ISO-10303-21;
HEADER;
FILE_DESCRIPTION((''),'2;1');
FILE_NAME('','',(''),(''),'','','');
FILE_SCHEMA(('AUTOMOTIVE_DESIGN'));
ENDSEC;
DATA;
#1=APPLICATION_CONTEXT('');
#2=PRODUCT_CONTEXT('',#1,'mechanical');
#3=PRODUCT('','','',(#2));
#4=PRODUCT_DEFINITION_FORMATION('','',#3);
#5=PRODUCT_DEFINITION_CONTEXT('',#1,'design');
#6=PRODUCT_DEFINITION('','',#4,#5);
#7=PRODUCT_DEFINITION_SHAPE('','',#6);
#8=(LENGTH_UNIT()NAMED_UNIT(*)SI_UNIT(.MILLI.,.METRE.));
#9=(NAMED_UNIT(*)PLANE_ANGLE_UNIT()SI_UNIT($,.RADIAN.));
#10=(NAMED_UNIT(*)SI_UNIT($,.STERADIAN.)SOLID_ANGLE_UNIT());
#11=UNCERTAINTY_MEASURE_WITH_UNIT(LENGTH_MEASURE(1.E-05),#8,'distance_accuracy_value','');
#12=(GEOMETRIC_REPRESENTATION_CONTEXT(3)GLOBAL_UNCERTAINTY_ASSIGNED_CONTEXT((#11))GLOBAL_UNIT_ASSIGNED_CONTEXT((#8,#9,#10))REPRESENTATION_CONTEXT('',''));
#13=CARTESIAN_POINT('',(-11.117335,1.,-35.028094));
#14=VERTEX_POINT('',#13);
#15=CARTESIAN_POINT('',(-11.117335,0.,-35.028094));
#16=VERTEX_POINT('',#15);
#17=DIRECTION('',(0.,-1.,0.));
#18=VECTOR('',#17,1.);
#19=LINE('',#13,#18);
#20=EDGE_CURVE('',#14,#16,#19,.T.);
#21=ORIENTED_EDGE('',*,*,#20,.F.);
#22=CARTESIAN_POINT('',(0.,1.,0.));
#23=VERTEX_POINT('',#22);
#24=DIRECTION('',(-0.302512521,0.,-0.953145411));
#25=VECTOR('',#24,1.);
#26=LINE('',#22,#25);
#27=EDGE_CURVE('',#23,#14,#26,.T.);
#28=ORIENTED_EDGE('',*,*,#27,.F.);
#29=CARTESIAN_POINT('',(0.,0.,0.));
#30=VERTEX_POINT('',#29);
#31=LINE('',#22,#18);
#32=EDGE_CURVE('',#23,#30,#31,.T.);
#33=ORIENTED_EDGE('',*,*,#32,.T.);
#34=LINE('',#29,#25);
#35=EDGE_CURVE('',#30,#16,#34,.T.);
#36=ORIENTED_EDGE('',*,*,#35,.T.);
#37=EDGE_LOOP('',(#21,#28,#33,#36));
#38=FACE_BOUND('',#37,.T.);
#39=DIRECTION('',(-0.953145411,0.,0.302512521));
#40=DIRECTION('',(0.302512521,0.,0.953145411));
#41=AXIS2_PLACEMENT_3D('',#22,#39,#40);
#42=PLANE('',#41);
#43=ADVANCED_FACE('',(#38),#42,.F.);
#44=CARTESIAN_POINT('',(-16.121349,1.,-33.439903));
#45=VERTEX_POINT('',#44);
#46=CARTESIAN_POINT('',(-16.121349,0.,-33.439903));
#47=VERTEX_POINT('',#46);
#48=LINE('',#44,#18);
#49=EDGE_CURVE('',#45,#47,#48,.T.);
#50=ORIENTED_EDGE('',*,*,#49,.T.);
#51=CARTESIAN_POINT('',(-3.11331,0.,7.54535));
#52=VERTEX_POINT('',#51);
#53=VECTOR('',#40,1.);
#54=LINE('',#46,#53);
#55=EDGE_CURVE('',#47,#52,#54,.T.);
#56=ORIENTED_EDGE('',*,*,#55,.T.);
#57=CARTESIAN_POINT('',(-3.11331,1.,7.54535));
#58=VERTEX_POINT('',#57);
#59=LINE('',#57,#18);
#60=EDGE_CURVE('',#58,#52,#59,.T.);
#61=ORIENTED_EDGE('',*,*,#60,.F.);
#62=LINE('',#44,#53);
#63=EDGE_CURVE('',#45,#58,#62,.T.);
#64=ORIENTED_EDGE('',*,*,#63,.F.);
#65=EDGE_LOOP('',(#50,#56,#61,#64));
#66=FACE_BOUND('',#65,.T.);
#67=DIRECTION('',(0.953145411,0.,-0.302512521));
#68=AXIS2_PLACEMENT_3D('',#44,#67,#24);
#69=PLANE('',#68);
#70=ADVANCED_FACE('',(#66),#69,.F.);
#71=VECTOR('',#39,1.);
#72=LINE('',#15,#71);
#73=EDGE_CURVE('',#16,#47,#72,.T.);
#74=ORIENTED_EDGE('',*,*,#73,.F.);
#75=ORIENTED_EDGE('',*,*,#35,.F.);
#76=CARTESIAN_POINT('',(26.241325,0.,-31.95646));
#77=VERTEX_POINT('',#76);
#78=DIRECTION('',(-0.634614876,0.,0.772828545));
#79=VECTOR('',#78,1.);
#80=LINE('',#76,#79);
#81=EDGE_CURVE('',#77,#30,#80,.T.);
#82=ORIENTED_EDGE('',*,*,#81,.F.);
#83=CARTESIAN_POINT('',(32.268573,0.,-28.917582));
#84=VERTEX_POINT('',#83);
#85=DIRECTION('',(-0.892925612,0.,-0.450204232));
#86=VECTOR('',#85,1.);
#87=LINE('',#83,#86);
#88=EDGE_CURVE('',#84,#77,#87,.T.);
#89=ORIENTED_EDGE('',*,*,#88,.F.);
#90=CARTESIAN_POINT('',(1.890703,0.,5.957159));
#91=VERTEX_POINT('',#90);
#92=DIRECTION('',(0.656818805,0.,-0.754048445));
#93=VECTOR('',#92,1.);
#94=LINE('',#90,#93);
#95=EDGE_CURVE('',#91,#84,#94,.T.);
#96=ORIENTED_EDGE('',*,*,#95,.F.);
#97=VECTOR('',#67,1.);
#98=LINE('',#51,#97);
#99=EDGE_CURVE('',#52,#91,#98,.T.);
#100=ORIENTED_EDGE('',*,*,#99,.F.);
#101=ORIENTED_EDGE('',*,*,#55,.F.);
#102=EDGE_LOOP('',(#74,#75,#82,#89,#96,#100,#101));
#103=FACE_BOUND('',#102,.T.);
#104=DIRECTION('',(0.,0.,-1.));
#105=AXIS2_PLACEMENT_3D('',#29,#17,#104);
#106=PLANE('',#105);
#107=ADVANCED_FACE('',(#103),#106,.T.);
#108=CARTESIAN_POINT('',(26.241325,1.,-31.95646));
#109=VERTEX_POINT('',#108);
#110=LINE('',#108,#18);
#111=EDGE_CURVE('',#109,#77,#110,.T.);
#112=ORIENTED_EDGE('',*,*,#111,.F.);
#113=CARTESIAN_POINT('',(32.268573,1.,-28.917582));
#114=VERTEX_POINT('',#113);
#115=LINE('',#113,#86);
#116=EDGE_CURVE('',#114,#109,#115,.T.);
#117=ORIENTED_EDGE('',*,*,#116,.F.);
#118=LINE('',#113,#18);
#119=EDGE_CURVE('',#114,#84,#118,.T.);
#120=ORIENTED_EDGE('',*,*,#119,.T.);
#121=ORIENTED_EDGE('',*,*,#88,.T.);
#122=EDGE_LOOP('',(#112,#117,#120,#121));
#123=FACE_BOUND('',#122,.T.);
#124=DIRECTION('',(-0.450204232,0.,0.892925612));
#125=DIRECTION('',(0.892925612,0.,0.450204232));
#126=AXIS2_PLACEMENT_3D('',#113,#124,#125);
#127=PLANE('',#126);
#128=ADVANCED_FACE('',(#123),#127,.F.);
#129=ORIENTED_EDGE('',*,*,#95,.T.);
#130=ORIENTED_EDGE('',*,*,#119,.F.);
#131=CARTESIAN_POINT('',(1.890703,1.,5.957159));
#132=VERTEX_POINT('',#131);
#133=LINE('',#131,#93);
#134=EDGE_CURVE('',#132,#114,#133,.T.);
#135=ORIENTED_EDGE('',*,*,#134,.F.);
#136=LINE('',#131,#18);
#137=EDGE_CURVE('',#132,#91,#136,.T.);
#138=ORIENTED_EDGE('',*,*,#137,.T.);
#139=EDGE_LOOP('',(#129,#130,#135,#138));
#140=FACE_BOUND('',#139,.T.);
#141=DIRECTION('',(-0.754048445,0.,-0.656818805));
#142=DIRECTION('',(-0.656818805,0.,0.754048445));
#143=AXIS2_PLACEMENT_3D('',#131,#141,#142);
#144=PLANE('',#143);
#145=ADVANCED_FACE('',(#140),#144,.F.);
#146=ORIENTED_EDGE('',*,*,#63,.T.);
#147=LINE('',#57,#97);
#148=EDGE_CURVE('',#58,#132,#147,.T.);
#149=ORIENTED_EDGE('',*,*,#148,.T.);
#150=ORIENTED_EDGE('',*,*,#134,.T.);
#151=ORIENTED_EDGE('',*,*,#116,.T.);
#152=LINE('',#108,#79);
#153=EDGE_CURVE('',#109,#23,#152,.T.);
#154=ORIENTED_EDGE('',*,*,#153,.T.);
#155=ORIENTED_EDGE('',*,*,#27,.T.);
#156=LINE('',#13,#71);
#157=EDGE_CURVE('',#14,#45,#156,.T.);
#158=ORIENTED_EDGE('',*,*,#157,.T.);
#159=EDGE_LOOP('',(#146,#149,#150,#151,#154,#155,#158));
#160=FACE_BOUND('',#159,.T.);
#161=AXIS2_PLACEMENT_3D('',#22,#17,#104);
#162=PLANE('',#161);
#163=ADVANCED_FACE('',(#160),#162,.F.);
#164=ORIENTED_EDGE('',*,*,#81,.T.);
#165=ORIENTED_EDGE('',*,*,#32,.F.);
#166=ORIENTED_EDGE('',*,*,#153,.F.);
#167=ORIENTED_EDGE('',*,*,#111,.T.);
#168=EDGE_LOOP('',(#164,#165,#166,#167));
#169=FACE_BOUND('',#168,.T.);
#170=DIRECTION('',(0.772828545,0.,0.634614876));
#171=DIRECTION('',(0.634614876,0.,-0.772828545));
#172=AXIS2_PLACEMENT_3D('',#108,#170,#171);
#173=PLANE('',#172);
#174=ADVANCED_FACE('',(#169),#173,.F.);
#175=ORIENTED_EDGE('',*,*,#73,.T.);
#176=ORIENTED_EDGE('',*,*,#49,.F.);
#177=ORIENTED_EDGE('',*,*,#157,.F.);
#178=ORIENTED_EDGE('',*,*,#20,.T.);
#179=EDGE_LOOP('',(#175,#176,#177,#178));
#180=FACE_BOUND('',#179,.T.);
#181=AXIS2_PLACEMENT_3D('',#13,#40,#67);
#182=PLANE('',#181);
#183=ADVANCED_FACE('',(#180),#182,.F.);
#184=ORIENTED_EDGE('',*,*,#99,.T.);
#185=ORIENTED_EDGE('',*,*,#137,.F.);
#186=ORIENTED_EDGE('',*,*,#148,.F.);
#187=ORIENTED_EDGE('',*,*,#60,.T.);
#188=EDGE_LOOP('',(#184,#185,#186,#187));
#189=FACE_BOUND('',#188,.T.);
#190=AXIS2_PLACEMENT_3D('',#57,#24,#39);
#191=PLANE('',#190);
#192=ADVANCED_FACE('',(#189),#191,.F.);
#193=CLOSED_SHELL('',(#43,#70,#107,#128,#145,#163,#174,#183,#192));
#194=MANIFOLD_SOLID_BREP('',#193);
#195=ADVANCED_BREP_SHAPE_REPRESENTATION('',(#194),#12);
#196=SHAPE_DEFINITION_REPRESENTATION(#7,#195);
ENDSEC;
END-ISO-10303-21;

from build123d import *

# Parameters (mm, degrees)
BOSS_EXTRUDE1_DEPTH = 1


with BuildPart() as part:
    # Sketch1 → Boss-Extrude1 (new body)
    with BuildSketch(Plane(origin=(0, 0, 0), x_dir=(1, 0, 0), z_dir=(0, 1, 0))):
        Polygon((0, 0), (-11.117335152, 35.028093855), (-16.12134856, 33.439903119), (-3.113310151, -7.545349555), (1.890703257, -5.957158819), (32.26857299, 28.917581761), (26.241325106, 31.956460328), align=None)
    extrude(amount=BOSS_EXTRUDE1_DEPTH)


solid = part.part
